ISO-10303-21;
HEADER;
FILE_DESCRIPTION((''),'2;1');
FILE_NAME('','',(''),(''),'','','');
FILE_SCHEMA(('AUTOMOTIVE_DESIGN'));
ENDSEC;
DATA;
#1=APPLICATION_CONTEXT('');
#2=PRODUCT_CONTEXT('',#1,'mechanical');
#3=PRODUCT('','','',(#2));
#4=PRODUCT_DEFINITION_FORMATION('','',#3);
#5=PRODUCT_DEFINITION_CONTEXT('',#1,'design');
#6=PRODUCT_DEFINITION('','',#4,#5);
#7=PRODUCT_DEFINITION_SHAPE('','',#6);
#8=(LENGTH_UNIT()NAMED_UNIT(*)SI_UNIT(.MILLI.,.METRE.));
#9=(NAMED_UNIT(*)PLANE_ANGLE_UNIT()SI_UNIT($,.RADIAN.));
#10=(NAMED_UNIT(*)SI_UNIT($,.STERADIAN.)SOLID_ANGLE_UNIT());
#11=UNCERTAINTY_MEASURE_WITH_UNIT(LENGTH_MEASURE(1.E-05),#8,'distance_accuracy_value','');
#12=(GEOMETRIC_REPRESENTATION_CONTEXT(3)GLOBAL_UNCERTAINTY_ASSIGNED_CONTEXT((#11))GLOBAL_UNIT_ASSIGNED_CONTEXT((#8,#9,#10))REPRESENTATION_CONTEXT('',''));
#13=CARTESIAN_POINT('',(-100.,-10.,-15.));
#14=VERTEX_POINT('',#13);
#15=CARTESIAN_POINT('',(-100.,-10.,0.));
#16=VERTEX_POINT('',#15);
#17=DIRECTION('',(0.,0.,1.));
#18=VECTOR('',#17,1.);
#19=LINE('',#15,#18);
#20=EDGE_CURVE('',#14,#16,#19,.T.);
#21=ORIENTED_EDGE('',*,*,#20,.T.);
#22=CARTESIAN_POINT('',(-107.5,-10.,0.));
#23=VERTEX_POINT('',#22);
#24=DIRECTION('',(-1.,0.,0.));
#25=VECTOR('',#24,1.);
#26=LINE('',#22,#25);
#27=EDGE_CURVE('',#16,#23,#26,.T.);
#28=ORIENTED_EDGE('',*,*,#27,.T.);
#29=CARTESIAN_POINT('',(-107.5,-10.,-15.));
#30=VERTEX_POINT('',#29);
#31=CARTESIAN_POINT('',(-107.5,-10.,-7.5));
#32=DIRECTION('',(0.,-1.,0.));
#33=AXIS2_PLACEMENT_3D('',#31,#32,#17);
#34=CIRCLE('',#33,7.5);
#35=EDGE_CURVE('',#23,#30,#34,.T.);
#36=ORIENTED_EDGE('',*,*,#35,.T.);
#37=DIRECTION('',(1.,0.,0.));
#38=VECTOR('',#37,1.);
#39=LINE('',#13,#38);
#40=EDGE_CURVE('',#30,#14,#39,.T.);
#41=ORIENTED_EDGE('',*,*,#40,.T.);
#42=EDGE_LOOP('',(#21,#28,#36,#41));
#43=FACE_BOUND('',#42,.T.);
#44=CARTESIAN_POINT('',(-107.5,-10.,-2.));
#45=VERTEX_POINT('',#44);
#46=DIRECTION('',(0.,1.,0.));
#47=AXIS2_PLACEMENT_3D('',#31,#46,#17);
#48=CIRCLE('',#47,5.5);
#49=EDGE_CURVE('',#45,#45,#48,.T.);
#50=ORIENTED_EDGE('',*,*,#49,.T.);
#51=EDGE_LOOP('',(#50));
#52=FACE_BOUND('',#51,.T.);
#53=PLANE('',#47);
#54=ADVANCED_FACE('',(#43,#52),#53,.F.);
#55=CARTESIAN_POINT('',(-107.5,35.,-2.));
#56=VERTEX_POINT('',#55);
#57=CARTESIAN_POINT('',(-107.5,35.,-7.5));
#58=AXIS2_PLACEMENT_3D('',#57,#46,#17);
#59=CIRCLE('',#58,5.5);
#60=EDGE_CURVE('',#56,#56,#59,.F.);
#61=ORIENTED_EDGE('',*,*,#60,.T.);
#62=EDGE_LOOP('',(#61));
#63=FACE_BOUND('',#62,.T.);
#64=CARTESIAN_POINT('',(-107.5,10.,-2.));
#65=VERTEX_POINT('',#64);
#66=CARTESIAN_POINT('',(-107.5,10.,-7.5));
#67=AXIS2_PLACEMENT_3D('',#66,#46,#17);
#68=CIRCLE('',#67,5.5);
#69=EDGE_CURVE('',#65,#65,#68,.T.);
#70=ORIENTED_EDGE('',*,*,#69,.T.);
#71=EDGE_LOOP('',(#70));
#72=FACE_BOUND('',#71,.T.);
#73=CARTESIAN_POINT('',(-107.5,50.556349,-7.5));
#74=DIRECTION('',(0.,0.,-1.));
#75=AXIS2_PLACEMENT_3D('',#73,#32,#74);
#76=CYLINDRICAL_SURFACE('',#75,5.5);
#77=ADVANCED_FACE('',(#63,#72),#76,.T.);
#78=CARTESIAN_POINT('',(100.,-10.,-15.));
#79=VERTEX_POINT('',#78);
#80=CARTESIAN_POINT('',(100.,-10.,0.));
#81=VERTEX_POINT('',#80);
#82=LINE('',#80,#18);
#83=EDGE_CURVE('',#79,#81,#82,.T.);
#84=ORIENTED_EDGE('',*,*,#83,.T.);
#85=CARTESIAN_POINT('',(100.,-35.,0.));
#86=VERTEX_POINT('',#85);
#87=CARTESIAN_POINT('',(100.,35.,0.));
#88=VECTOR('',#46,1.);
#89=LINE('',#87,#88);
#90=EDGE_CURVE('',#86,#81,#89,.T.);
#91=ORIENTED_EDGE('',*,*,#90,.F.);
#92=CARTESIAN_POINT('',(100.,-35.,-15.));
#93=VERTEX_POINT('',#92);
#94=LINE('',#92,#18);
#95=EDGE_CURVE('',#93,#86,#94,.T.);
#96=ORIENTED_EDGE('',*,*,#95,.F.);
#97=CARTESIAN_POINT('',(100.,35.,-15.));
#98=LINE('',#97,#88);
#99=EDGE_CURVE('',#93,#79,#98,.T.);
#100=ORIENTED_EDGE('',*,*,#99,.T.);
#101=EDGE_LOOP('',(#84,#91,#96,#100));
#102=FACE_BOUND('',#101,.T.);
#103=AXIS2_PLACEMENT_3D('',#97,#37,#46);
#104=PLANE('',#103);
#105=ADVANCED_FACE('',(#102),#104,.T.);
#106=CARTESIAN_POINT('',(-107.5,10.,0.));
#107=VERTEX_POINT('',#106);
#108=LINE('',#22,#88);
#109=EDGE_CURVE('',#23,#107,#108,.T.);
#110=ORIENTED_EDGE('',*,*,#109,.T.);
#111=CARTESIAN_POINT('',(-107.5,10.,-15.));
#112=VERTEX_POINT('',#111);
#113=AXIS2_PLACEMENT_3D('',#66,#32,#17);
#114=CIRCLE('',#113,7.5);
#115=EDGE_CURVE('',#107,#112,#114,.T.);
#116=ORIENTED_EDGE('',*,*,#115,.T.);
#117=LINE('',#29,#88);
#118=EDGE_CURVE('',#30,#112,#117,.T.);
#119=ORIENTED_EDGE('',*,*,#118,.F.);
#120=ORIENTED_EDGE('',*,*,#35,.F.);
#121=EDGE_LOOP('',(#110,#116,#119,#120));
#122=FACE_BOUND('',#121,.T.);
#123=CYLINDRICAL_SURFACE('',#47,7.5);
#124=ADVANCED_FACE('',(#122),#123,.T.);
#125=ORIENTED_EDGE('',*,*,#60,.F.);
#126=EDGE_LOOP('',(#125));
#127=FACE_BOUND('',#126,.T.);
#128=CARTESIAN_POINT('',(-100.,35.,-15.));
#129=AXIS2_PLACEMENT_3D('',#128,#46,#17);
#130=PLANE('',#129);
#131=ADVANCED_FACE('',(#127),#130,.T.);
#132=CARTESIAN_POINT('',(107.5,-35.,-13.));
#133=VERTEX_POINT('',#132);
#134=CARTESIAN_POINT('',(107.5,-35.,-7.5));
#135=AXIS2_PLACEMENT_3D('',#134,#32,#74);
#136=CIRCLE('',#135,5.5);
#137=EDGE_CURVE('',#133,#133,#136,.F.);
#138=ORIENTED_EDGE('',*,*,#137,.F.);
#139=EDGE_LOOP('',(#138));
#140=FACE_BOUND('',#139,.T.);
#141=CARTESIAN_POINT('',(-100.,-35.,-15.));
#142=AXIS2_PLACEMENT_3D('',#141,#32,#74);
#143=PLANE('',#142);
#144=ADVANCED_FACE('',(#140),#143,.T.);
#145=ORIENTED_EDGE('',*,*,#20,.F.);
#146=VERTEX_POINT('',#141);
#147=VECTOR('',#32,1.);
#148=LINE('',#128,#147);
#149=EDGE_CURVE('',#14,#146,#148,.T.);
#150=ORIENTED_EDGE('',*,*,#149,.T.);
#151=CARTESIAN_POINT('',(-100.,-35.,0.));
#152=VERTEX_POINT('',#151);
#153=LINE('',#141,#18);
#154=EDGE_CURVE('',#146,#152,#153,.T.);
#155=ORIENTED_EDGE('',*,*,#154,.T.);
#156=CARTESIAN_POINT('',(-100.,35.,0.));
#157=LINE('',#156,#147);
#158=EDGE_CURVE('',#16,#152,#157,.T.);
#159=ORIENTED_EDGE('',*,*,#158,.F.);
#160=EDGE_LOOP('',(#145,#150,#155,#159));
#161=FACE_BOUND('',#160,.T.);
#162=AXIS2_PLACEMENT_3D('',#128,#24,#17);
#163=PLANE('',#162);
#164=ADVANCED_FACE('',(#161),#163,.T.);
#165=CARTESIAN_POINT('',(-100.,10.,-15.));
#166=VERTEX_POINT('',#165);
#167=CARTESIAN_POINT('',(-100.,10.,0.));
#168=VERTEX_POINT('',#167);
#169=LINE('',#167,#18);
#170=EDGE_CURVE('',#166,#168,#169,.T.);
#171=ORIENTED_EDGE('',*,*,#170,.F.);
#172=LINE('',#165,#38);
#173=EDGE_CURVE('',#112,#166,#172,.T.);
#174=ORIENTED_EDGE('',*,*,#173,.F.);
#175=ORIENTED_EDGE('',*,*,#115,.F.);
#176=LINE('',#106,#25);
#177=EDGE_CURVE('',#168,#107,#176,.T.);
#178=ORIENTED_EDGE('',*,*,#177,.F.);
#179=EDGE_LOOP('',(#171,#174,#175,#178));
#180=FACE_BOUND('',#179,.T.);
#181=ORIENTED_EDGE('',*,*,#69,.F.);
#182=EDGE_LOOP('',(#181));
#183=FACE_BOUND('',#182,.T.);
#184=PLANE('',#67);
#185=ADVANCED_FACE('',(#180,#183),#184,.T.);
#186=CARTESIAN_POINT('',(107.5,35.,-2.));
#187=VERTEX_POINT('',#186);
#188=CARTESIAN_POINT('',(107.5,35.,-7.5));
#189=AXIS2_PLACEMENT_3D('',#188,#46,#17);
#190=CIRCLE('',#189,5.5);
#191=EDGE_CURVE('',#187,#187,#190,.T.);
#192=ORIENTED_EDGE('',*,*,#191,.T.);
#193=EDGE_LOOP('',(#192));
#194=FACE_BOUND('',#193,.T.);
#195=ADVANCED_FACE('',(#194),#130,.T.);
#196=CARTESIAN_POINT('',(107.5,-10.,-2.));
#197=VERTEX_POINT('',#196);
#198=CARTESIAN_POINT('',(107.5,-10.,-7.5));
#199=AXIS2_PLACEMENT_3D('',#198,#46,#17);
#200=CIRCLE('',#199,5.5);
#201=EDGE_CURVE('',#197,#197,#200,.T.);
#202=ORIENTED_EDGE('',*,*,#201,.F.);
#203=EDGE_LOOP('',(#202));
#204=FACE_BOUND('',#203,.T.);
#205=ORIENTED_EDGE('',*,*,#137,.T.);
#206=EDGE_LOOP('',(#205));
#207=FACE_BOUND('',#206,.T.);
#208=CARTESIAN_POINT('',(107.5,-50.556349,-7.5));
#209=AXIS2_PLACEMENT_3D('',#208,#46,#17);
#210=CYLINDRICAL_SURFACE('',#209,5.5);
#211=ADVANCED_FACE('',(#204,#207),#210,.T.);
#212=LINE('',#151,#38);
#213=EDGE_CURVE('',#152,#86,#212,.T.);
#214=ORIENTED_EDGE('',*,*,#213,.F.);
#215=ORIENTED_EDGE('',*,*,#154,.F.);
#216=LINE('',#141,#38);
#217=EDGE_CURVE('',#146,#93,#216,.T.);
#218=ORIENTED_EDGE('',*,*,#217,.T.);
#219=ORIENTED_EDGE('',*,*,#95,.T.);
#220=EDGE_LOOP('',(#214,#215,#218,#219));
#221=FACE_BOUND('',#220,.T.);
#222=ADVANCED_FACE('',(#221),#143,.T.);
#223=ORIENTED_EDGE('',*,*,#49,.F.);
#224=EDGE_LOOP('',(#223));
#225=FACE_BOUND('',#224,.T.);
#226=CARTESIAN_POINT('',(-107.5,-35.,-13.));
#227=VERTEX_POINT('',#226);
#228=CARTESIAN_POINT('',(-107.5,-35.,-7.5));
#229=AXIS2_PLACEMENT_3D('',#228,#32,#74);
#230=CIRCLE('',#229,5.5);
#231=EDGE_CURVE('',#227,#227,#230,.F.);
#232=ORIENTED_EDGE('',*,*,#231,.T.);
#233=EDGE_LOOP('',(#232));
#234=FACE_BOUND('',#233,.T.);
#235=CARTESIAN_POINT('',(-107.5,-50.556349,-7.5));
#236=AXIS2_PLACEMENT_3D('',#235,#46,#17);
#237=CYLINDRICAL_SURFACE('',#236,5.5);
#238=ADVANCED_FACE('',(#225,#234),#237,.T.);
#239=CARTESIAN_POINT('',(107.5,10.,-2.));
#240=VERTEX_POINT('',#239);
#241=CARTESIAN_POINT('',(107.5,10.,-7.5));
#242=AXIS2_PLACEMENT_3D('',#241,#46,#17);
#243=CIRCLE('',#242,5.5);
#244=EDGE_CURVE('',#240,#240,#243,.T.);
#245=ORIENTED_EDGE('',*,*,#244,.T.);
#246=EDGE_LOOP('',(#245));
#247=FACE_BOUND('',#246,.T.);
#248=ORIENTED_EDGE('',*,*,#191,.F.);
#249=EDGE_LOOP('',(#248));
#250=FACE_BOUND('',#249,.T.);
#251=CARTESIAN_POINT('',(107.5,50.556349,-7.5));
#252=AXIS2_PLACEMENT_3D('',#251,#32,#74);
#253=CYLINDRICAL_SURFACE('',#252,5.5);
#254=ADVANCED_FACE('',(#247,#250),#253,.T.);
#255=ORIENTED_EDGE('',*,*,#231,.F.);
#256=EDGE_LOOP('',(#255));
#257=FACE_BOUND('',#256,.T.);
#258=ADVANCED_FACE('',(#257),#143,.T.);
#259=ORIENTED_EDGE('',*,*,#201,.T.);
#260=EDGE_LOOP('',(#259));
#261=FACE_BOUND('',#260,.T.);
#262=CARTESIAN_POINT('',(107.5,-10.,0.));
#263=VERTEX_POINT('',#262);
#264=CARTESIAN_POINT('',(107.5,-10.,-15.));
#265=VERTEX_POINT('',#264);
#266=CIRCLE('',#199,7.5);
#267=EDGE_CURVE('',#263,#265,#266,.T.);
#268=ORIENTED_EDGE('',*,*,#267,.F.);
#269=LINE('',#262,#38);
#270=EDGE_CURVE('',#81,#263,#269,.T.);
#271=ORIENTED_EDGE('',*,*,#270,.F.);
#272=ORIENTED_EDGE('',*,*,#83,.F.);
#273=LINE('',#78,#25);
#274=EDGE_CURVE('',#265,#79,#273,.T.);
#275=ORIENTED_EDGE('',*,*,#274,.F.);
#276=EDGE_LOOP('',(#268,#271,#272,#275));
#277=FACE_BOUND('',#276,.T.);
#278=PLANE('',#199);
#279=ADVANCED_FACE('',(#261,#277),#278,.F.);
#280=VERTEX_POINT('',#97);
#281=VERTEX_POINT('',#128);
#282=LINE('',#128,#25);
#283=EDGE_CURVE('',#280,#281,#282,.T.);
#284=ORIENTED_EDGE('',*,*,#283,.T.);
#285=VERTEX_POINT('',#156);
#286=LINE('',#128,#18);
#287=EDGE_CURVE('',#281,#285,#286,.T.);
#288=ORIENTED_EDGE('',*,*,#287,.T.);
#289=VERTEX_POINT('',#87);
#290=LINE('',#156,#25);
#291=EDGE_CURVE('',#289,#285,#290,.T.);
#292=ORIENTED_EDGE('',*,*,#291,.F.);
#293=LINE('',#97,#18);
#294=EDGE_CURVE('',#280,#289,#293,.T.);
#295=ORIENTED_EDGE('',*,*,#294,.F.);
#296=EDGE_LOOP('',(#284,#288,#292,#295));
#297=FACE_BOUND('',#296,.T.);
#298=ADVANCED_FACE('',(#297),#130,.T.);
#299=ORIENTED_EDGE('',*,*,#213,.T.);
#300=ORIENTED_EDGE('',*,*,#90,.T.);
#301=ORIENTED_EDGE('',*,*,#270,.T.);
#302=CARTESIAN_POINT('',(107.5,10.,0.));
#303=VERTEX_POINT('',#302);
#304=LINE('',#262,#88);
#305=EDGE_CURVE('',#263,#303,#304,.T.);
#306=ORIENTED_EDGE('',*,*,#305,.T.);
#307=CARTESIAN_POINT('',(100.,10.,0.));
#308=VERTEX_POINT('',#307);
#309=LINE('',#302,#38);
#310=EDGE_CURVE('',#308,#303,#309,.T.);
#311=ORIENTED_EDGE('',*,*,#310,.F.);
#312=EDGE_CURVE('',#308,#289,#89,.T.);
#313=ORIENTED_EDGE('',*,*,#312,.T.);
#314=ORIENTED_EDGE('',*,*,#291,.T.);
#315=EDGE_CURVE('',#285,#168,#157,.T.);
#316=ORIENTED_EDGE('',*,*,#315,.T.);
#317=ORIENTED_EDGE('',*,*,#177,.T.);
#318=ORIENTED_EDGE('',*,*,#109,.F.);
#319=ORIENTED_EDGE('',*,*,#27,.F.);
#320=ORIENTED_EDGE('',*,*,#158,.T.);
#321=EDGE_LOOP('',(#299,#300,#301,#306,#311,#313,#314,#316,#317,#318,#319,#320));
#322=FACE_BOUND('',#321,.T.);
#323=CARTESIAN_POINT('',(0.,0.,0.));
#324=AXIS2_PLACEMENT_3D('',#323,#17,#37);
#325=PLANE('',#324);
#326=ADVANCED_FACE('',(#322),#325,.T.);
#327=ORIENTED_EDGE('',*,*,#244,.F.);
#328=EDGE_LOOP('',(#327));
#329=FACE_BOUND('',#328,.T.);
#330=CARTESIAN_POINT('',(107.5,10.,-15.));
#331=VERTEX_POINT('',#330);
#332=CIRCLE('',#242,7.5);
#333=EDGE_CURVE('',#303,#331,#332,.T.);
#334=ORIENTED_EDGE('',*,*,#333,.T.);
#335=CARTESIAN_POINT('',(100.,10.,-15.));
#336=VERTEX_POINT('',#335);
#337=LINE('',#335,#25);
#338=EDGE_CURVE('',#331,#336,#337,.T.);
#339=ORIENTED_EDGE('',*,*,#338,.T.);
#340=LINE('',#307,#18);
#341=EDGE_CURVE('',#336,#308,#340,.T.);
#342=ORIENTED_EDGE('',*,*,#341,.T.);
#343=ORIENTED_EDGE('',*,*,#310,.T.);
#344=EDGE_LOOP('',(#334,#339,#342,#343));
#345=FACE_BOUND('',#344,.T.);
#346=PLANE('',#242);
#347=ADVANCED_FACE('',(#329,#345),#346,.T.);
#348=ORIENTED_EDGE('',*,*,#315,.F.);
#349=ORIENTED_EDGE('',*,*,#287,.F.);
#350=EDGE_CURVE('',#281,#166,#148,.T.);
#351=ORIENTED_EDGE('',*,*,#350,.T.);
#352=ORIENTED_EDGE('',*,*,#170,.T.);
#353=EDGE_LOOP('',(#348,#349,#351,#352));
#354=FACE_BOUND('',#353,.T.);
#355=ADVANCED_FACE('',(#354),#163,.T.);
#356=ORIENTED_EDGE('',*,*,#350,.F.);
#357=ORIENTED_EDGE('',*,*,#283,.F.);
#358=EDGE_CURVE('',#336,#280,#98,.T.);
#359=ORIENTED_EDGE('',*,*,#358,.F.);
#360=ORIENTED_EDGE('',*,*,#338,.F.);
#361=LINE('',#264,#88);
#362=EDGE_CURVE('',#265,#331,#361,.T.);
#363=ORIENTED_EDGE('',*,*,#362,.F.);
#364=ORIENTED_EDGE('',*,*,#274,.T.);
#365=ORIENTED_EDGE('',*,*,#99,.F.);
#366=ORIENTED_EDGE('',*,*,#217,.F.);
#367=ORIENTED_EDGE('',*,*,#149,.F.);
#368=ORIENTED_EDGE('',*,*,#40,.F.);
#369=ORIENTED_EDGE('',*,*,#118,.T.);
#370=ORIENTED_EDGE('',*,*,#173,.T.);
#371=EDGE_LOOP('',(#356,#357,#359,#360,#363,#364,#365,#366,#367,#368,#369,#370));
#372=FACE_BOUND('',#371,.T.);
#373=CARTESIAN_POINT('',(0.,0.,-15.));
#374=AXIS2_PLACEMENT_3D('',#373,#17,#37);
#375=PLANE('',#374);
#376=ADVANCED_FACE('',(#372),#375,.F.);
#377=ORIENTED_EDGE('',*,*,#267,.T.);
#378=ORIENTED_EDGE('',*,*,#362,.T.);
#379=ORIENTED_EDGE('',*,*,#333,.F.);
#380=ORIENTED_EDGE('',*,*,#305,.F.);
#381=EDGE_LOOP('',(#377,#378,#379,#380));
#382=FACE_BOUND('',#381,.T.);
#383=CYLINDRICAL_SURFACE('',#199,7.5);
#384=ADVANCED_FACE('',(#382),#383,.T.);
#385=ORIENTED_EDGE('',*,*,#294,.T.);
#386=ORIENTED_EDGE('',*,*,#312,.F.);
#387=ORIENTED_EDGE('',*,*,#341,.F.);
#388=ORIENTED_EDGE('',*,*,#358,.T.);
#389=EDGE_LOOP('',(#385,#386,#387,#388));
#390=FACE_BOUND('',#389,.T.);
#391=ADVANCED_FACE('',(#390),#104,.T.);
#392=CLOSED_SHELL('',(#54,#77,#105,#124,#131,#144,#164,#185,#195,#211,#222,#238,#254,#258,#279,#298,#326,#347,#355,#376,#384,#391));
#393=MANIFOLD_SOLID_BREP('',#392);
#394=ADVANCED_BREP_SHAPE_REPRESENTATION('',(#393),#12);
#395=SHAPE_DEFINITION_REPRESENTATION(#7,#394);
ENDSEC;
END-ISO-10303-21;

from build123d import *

# Parameters (mm, degrees)
PLATE_SKETCH_W            = 200
PLATE_SKETCH_H            = 70
PLATE_EXTRUDE_DEPTH       = 15
HINGE_PLATE_EXTRUDE_DEPTH = 10
PIN_SKETCH_R              = 5.5
UPPER_PIN_EXTRUDE_DEPTH   = 25
LOWER_START               = -45
PIN_SKETCH_2_R            = 5.5
LOWER_PIN_EXTRUDE_DEPTH   = 25


with BuildPart() as part:
    # Plate Sketch → Plate Extrude (new body)
    with BuildSketch(Plane.XY):
        Rectangle(PLATE_SKETCH_W, PLATE_SKETCH_H)
    extrude(amount=-PLATE_EXTRUDE_DEPTH)

    # Hinge Plate Sketch → Hinge Plate Extrude (add, symmetric)
    with BuildSketch(Plane(origin=(0, 0, 0), x_dir=(1, 0, 0), z_dir=(0, 1, 0))):
        with BuildLine():
            Line((100, 15), (107.5, 15))
            ThreePointArc((107.5, 15), (115, 7.5), (107.5, 0))
            Line((107.5, 0), (100, 0))
            Line((100, 0), (100, 15))
        make_face()
    hinge_plate_extrude = extrude(amount=HINGE_PLATE_EXTRUDE_DEPTH, both=True)

    # Pin Sketch → Upper Pin Extrude (add)
    with BuildSketch(Plane(origin=(0, 10, 0), x_dir=(1, 0, 0), z_dir=(0, 1, 0))):
        with Locations(Location((107.5, 7.5, 0), (0, 0, 270))):
            Circle(PIN_SKETCH_R)
    upper_pin_extrude = extrude(amount=UPPER_PIN_EXTRUDE_DEPTH)

    # Pin Sketch<2> → Lower Pin Extrude (add)
    with BuildSketch(Plane(origin=(0, 10, 0), x_dir=(1, 0, 0), z_dir=(0, 1, 0)).offset(LOWER_START)):
        with Locations(Location((107.5, 7.5, 0), (0, 0, 270))):
            Circle(PIN_SKETCH_2_R)
    lower_pin_extrude = extrude(amount=LOWER_PIN_EXTRUDE_DEPTH)

    # Hinge Mirror: Hinge Plate Extrude, Upper Pin Extrude, Lower Pin Extrude across plane
    add(hinge_plate_extrude.mirror(Plane(origin=(0, 0, 0), x_dir=(0, 0, 1), z_dir=(1, 0, 0))))
    add(upper_pin_extrude.mirror(Plane(origin=(0, 0, 0), x_dir=(0, 0, 1), z_dir=(1, 0, 0))))
    add(lower_pin_extrude.mirror(Plane(origin=(0, 0, 0), x_dir=(0, 0, 1), z_dir=(1, 0, 0))))


solid = part.part
